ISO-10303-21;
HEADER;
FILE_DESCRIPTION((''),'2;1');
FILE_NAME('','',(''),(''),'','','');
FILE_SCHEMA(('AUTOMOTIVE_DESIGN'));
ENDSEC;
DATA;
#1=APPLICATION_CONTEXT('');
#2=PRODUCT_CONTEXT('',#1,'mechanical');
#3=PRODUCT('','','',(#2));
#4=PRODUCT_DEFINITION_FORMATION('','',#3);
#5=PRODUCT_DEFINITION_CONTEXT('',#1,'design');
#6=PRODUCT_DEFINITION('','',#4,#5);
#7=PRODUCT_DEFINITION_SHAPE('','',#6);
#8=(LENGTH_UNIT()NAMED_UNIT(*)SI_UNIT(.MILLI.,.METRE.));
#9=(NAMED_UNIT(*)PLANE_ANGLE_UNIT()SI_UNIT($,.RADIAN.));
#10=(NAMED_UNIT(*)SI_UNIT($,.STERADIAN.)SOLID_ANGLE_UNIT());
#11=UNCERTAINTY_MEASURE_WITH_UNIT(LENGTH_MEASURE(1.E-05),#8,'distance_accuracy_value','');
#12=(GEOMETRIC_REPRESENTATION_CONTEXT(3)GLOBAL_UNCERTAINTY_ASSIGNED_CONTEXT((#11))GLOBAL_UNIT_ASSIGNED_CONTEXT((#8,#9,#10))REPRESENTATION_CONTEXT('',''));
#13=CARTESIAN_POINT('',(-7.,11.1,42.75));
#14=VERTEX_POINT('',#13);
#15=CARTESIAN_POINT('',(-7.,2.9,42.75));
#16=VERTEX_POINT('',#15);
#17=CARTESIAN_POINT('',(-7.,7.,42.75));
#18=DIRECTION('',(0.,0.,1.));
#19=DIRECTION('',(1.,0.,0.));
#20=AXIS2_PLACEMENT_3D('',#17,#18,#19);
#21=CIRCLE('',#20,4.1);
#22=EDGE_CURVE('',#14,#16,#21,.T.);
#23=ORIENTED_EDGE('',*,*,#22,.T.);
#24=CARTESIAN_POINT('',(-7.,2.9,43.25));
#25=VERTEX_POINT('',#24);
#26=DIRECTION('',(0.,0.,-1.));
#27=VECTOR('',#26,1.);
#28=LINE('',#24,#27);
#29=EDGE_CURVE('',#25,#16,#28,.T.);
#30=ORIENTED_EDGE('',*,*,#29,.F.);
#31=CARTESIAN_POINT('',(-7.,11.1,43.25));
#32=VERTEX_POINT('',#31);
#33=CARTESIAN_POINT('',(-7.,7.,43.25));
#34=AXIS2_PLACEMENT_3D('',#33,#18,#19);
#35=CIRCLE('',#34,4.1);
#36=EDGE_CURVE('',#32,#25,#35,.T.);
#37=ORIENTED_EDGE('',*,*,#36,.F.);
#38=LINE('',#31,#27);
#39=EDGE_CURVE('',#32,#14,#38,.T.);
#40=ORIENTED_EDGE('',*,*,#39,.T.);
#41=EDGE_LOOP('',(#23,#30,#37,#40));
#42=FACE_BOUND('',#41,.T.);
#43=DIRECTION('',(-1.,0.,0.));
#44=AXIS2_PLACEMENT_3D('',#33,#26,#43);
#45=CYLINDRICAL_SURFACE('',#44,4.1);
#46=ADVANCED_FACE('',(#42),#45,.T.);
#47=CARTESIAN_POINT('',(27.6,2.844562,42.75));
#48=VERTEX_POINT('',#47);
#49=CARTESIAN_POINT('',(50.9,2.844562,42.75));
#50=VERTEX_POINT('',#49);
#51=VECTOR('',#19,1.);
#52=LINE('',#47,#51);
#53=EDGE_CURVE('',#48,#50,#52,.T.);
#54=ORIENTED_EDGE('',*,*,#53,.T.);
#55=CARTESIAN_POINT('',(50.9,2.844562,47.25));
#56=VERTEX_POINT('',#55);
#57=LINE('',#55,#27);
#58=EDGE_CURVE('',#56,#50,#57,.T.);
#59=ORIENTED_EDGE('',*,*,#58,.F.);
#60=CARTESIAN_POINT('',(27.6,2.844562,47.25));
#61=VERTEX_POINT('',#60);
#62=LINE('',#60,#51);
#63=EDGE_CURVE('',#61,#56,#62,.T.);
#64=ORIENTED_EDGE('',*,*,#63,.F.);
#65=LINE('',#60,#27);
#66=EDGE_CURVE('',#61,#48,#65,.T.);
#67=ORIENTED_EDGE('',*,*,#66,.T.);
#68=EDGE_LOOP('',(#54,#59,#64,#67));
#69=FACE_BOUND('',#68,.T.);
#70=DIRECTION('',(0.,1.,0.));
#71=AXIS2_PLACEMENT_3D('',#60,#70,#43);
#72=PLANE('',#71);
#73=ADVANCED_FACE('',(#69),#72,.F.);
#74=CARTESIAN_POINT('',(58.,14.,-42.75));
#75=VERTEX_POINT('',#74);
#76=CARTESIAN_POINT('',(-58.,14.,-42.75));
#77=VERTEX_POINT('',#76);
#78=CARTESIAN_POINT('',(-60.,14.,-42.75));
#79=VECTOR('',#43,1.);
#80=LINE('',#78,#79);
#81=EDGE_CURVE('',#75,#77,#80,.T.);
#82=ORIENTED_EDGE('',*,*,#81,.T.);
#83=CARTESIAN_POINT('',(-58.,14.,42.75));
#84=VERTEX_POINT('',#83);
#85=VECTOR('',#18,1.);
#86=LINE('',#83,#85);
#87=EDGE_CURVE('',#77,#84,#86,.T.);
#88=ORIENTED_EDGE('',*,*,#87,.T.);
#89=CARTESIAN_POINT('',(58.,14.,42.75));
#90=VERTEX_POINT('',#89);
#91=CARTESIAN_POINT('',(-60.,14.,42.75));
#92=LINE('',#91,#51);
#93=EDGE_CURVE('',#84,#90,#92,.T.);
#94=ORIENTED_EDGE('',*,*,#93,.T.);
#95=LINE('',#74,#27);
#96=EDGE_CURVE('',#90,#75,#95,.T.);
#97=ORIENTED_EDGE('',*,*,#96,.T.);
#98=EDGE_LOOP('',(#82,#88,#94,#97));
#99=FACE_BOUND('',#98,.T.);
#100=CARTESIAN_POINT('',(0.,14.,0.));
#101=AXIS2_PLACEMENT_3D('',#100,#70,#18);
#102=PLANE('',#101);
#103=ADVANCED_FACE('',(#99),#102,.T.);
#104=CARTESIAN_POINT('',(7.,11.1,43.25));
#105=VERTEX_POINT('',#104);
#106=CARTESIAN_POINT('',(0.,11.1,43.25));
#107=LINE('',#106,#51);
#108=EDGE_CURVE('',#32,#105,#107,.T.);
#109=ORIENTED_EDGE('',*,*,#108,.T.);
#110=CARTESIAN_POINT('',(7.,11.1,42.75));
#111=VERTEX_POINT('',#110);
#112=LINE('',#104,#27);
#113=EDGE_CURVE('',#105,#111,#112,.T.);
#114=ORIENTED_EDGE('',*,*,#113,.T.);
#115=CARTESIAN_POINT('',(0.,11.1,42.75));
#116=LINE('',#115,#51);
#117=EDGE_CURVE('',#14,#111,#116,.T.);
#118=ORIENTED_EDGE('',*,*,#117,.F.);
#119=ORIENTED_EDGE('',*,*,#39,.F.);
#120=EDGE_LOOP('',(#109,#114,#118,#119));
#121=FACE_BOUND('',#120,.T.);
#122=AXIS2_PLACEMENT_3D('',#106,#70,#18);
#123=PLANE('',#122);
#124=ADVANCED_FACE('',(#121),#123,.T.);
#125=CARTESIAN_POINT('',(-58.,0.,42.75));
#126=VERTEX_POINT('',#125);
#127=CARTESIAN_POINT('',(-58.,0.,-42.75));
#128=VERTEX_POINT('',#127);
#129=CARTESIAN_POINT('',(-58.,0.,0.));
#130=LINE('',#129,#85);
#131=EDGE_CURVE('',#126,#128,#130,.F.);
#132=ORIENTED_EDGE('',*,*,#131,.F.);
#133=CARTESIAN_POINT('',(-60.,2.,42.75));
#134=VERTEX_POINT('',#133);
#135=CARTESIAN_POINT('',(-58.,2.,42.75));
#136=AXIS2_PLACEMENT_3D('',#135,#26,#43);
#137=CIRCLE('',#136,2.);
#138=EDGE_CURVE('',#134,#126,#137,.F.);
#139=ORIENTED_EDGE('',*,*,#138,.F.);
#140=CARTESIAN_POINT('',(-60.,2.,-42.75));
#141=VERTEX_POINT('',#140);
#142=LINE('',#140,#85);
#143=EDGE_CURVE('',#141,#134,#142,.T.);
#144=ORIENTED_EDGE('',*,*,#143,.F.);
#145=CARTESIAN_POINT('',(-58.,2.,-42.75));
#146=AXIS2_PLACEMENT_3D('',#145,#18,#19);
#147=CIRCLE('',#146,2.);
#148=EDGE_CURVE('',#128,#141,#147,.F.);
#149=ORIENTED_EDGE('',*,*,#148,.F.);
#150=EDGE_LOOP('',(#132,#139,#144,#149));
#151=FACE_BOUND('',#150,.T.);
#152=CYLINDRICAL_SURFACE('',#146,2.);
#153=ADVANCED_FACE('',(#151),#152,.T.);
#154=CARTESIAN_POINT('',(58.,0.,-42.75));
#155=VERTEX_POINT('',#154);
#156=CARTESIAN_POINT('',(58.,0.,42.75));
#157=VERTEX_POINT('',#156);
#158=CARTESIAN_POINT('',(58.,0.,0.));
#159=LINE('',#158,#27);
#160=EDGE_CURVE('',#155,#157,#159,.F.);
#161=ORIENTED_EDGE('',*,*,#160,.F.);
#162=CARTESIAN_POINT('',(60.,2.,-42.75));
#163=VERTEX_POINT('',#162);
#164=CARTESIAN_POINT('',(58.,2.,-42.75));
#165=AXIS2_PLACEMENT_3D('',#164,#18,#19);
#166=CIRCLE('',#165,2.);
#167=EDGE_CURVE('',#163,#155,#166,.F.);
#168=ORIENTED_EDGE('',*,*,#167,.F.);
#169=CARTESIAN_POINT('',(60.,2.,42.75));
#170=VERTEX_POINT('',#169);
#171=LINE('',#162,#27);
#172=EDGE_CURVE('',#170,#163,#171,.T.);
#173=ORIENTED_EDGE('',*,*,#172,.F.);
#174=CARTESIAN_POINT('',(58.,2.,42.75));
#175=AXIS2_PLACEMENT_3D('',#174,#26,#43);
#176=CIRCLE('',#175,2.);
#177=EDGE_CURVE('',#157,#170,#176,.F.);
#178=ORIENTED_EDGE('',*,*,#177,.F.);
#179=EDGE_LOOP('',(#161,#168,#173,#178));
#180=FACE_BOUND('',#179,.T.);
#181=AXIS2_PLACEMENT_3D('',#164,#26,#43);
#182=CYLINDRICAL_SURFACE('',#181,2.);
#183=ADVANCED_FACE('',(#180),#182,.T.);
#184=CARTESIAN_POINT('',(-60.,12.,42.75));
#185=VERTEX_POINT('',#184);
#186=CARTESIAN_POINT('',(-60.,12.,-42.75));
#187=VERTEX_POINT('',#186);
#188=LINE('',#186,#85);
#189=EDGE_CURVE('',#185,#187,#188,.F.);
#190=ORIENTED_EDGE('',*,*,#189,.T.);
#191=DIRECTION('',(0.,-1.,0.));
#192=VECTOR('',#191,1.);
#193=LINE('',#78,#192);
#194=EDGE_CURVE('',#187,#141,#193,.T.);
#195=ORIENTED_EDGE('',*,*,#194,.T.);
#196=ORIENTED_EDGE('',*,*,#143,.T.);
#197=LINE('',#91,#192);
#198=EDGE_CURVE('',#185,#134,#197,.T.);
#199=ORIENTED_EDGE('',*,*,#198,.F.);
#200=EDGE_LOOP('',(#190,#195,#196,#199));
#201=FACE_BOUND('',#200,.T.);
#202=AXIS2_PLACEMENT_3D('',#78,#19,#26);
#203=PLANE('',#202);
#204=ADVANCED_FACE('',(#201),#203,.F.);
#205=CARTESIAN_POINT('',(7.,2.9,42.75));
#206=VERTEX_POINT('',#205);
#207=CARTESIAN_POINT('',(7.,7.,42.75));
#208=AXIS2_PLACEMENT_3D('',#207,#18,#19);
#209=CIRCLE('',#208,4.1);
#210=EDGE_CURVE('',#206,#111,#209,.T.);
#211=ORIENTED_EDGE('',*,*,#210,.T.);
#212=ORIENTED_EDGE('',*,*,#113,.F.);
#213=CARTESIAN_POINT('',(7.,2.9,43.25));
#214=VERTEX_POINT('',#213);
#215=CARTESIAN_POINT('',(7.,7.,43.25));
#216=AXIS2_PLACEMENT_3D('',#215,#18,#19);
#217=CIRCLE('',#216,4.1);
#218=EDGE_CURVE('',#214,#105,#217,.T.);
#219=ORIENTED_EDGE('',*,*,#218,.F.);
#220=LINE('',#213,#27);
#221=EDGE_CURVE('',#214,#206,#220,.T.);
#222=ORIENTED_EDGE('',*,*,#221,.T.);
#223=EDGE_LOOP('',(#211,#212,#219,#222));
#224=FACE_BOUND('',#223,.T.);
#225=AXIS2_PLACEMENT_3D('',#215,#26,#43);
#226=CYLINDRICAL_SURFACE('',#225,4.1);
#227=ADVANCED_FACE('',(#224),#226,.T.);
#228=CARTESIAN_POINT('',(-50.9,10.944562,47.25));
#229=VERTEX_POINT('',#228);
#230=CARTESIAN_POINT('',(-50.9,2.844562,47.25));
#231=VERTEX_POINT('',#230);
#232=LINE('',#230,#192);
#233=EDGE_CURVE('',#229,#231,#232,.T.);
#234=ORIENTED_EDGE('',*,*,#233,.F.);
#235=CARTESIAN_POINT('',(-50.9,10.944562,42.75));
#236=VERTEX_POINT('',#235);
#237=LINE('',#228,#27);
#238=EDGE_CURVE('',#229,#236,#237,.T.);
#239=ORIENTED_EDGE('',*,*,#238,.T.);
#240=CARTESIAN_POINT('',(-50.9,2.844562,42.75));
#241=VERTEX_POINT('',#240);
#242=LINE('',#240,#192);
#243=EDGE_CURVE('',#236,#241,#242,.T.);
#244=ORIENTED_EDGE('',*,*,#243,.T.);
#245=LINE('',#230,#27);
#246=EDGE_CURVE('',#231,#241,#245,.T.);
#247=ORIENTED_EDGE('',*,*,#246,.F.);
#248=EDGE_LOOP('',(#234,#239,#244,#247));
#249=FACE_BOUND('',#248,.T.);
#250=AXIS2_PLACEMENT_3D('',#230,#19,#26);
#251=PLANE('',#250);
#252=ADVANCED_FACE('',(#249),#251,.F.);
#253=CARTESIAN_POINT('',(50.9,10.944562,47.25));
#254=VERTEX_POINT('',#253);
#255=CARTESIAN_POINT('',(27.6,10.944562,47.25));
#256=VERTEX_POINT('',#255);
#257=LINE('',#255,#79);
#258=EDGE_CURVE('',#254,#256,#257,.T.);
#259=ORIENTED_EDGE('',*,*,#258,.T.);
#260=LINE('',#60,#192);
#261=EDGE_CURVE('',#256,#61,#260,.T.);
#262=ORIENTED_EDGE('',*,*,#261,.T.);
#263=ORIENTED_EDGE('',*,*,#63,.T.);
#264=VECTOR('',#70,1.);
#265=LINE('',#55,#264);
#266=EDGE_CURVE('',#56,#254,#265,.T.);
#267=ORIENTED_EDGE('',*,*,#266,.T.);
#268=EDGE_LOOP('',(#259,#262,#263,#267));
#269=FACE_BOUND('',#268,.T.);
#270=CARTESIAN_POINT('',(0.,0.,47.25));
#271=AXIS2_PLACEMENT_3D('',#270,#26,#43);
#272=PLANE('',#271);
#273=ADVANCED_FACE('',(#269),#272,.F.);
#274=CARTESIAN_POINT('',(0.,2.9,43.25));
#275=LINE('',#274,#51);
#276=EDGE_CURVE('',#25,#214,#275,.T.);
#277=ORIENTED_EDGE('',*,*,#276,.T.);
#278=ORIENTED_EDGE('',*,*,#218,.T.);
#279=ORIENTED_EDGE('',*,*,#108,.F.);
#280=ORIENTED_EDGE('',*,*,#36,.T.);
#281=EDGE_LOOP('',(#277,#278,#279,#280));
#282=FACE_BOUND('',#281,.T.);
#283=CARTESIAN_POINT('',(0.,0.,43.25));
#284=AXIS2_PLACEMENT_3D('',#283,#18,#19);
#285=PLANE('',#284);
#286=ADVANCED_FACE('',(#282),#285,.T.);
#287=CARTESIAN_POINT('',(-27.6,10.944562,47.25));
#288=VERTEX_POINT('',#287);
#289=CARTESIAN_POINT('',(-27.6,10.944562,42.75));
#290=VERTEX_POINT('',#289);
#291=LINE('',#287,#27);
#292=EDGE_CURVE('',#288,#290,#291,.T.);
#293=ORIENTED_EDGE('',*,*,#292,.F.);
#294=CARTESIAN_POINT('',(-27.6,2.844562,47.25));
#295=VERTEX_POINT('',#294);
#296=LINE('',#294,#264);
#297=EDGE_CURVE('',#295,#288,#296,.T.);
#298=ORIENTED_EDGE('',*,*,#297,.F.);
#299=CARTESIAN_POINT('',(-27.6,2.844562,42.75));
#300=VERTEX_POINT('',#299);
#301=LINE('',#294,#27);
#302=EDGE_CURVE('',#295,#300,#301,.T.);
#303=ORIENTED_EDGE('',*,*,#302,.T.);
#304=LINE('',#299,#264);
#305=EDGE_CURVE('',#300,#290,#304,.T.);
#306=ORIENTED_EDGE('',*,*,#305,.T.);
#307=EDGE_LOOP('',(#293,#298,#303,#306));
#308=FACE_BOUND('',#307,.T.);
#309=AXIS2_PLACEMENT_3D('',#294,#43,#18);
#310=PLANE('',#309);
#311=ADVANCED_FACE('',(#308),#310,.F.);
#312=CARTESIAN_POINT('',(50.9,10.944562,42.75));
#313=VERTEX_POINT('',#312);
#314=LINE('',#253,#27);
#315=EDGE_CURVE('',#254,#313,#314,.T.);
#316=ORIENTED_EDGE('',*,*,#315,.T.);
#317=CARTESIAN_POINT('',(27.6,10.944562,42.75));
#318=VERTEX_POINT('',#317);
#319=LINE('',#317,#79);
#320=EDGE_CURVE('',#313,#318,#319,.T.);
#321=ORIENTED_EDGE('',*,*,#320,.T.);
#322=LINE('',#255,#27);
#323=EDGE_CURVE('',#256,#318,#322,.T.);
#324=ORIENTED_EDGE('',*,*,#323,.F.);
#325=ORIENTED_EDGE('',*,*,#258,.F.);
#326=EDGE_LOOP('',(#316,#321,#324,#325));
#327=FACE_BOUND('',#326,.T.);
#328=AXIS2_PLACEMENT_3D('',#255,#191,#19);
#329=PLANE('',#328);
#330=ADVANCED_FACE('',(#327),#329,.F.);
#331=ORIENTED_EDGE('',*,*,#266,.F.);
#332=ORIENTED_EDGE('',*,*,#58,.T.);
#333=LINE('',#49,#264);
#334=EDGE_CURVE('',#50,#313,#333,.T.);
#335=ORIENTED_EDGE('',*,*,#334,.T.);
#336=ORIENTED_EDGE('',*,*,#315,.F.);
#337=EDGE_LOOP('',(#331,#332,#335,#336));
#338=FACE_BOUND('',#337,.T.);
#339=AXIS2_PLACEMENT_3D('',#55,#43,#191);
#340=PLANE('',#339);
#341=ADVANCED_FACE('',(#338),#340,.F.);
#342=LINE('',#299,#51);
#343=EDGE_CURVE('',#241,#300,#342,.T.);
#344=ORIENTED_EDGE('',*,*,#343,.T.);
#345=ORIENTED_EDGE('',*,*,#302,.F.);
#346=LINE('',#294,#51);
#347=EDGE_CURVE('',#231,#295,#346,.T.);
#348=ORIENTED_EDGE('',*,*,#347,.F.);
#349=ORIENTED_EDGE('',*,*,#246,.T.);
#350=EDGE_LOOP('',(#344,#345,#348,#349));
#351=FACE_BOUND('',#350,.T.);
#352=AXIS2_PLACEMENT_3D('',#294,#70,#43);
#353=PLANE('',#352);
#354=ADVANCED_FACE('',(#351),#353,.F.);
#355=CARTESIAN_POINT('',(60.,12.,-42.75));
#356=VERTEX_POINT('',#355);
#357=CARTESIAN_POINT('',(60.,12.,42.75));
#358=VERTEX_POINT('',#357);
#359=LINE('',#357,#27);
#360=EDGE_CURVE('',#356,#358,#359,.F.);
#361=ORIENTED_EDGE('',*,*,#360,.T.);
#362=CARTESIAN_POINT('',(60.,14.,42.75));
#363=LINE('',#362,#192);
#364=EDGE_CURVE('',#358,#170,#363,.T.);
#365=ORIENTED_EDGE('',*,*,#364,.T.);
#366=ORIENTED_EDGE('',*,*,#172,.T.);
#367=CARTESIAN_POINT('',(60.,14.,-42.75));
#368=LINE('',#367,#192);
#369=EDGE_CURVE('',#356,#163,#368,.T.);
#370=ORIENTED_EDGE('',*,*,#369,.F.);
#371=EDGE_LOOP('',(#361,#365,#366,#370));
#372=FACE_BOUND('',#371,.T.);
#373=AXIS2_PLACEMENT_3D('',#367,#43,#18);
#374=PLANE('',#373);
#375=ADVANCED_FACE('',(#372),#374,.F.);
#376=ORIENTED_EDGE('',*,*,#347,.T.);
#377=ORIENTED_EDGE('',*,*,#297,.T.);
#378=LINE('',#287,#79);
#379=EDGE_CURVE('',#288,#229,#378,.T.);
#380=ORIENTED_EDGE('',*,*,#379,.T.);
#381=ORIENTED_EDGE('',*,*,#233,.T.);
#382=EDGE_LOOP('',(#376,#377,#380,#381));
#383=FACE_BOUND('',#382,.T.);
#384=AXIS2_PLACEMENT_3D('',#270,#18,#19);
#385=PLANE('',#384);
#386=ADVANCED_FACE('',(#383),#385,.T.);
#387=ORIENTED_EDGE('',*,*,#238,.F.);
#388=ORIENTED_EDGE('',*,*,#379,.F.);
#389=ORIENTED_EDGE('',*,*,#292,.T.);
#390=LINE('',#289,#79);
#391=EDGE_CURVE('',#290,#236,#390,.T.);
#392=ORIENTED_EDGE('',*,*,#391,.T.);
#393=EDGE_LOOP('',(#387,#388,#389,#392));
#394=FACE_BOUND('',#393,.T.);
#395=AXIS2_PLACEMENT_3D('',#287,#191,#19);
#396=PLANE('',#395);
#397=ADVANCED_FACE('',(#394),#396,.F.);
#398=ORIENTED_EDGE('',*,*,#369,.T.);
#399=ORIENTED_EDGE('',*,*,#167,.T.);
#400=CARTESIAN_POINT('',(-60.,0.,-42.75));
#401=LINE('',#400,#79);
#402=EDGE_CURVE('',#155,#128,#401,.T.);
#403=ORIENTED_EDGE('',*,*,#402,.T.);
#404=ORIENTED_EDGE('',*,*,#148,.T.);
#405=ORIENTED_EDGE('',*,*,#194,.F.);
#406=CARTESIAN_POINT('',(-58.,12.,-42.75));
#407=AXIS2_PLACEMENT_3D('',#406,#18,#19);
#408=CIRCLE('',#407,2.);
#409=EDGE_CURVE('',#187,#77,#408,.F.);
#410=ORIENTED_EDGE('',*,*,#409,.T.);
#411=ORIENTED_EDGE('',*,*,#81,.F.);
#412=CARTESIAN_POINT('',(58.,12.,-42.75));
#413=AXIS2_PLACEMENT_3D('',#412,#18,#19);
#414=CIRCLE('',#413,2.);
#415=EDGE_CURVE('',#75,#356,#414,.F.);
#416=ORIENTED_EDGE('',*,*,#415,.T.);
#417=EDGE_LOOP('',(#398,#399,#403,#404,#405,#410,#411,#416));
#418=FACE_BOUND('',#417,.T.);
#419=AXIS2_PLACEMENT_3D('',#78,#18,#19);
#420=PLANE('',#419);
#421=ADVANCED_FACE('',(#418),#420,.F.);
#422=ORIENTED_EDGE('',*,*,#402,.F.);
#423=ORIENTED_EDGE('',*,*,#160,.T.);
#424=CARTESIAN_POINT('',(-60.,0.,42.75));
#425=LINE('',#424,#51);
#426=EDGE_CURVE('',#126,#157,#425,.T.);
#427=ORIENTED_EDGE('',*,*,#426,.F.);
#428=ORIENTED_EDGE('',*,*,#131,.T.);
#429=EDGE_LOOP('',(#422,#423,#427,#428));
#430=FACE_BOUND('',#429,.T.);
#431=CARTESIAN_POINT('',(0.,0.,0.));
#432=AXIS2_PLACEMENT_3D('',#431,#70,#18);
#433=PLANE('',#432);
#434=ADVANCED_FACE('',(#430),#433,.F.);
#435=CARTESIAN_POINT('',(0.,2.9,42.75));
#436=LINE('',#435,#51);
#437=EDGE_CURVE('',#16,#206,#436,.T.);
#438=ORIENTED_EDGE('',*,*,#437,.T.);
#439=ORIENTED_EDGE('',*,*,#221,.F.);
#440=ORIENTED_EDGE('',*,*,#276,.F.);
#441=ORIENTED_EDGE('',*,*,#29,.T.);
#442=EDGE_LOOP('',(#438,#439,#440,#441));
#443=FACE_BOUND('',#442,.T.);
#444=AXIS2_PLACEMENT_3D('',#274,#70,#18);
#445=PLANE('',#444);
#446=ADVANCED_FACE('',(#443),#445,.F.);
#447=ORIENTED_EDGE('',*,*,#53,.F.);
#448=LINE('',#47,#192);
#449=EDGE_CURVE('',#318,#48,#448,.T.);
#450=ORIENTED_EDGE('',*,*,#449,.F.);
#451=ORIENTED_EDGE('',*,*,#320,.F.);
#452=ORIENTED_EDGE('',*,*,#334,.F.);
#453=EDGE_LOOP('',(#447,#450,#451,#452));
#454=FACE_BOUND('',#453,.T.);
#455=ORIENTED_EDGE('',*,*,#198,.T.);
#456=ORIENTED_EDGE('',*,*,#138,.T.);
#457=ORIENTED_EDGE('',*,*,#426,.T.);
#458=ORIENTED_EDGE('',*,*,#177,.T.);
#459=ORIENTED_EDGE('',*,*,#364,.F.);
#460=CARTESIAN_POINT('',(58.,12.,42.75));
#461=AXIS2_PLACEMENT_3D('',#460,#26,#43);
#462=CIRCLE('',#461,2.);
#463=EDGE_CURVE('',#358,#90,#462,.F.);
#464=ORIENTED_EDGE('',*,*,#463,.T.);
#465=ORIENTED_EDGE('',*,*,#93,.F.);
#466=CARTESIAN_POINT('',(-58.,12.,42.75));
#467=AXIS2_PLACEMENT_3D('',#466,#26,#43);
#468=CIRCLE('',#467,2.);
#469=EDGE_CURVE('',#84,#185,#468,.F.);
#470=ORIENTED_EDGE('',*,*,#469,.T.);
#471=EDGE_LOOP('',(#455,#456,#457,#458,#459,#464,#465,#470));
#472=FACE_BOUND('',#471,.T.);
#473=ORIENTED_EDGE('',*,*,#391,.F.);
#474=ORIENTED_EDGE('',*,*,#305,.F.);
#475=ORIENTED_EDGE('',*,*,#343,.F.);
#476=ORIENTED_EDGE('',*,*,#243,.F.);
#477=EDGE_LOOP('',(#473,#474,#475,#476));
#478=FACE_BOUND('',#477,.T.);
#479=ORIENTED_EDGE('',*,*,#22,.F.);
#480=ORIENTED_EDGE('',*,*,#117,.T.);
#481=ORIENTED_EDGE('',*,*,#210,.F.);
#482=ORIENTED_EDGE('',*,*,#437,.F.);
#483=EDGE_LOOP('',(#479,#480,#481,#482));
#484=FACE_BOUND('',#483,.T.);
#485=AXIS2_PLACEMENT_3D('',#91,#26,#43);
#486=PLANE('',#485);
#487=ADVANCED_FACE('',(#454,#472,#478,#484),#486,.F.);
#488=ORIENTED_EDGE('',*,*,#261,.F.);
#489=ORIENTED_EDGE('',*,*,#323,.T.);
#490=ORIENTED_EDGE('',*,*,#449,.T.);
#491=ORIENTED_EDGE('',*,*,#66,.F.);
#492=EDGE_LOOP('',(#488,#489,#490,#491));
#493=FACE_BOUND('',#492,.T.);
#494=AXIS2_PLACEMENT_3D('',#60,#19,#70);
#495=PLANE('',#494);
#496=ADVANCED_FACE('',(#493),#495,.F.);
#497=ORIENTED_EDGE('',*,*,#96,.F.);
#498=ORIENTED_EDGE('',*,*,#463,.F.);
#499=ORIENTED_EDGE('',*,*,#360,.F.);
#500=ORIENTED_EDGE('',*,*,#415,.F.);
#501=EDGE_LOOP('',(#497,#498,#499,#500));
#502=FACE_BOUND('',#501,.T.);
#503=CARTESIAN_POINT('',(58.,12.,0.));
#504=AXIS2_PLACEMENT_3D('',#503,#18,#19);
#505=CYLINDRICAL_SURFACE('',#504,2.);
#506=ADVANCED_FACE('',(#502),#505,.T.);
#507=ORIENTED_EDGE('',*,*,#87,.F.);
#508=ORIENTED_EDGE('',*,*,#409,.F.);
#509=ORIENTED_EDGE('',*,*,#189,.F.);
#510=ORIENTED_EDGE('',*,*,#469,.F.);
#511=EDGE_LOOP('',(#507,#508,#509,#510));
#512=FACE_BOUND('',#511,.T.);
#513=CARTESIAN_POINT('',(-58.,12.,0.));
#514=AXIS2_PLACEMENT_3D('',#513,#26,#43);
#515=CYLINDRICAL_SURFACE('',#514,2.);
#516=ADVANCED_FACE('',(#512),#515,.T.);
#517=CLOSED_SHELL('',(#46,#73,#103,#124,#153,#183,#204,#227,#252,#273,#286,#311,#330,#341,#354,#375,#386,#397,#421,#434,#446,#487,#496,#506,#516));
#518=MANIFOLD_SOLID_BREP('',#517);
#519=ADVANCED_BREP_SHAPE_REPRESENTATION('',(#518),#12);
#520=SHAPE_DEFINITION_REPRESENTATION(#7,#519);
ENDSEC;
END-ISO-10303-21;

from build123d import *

# Parameters (mm, degrees)
SKETCH1_W           = 120
SKETCH1_H           = 85.5
BOSS_EXTRUDE1_DEPTH = 14
SKETCH2_W           = 23.3
SKETCH2_H           = 8.1
BOSS_EXTRUDE2_DEPTH = 4.5
FILLET2_R           = 2
BOSS_EXTRUDE3_DEPTH = 0.5


with BuildPart() as part:
    # Sketch1 → Boss-Extrude1 (new body)
    with BuildSketch(Plane(origin=(0, 0, 0), x_dir=(1, 0, 0), z_dir=(0, 1, 0))):
        Rectangle(SKETCH1_W, SKETCH1_H)
    extrude(amount=BOSS_EXTRUDE1_DEPTH)

    # Sketch2 → Boss-Extrude2 (add)
    with BuildSketch(Plane.XY.offset(42.75)):
        with Locations((-39.25, 6.894561701)):
            Rectangle(SKETCH2_W, SKETCH2_H)
        with Locations((39.25, 6.894561701)):
            Rectangle(SKETCH2_W, SKETCH2_H)
    extrude(amount=BOSS_EXTRUDE2_DEPTH)

    # Fillet2
    fillet2_edges = [part.edges().sort_by_distance(p)[0] for p in [
        (-60, 14, 0),
        (60, 14, 0),
        (-60, 0, 0),
        (60, 0, 0),
    ]]
    fillet(fillet2_edges, radius=FILLET2_R)

    # Sketch4 → Boss-Extrude3 (add)
    with BuildSketch(Plane.XY.offset(42.75)):
        with BuildLine():
            Line((-7, 2.9), (7, 2.9))
            ThreePointArc((7, 2.9), (11.1, 7), (7, 11.1))
            Line((7, 11.1), (-7, 11.1))
            ThreePointArc((-7, 11.1), (-11.1, 7), (-7, 2.9))
        make_face()
    extrude(amount=BOSS_EXTRUDE3_DEPTH)


solid = part.part
